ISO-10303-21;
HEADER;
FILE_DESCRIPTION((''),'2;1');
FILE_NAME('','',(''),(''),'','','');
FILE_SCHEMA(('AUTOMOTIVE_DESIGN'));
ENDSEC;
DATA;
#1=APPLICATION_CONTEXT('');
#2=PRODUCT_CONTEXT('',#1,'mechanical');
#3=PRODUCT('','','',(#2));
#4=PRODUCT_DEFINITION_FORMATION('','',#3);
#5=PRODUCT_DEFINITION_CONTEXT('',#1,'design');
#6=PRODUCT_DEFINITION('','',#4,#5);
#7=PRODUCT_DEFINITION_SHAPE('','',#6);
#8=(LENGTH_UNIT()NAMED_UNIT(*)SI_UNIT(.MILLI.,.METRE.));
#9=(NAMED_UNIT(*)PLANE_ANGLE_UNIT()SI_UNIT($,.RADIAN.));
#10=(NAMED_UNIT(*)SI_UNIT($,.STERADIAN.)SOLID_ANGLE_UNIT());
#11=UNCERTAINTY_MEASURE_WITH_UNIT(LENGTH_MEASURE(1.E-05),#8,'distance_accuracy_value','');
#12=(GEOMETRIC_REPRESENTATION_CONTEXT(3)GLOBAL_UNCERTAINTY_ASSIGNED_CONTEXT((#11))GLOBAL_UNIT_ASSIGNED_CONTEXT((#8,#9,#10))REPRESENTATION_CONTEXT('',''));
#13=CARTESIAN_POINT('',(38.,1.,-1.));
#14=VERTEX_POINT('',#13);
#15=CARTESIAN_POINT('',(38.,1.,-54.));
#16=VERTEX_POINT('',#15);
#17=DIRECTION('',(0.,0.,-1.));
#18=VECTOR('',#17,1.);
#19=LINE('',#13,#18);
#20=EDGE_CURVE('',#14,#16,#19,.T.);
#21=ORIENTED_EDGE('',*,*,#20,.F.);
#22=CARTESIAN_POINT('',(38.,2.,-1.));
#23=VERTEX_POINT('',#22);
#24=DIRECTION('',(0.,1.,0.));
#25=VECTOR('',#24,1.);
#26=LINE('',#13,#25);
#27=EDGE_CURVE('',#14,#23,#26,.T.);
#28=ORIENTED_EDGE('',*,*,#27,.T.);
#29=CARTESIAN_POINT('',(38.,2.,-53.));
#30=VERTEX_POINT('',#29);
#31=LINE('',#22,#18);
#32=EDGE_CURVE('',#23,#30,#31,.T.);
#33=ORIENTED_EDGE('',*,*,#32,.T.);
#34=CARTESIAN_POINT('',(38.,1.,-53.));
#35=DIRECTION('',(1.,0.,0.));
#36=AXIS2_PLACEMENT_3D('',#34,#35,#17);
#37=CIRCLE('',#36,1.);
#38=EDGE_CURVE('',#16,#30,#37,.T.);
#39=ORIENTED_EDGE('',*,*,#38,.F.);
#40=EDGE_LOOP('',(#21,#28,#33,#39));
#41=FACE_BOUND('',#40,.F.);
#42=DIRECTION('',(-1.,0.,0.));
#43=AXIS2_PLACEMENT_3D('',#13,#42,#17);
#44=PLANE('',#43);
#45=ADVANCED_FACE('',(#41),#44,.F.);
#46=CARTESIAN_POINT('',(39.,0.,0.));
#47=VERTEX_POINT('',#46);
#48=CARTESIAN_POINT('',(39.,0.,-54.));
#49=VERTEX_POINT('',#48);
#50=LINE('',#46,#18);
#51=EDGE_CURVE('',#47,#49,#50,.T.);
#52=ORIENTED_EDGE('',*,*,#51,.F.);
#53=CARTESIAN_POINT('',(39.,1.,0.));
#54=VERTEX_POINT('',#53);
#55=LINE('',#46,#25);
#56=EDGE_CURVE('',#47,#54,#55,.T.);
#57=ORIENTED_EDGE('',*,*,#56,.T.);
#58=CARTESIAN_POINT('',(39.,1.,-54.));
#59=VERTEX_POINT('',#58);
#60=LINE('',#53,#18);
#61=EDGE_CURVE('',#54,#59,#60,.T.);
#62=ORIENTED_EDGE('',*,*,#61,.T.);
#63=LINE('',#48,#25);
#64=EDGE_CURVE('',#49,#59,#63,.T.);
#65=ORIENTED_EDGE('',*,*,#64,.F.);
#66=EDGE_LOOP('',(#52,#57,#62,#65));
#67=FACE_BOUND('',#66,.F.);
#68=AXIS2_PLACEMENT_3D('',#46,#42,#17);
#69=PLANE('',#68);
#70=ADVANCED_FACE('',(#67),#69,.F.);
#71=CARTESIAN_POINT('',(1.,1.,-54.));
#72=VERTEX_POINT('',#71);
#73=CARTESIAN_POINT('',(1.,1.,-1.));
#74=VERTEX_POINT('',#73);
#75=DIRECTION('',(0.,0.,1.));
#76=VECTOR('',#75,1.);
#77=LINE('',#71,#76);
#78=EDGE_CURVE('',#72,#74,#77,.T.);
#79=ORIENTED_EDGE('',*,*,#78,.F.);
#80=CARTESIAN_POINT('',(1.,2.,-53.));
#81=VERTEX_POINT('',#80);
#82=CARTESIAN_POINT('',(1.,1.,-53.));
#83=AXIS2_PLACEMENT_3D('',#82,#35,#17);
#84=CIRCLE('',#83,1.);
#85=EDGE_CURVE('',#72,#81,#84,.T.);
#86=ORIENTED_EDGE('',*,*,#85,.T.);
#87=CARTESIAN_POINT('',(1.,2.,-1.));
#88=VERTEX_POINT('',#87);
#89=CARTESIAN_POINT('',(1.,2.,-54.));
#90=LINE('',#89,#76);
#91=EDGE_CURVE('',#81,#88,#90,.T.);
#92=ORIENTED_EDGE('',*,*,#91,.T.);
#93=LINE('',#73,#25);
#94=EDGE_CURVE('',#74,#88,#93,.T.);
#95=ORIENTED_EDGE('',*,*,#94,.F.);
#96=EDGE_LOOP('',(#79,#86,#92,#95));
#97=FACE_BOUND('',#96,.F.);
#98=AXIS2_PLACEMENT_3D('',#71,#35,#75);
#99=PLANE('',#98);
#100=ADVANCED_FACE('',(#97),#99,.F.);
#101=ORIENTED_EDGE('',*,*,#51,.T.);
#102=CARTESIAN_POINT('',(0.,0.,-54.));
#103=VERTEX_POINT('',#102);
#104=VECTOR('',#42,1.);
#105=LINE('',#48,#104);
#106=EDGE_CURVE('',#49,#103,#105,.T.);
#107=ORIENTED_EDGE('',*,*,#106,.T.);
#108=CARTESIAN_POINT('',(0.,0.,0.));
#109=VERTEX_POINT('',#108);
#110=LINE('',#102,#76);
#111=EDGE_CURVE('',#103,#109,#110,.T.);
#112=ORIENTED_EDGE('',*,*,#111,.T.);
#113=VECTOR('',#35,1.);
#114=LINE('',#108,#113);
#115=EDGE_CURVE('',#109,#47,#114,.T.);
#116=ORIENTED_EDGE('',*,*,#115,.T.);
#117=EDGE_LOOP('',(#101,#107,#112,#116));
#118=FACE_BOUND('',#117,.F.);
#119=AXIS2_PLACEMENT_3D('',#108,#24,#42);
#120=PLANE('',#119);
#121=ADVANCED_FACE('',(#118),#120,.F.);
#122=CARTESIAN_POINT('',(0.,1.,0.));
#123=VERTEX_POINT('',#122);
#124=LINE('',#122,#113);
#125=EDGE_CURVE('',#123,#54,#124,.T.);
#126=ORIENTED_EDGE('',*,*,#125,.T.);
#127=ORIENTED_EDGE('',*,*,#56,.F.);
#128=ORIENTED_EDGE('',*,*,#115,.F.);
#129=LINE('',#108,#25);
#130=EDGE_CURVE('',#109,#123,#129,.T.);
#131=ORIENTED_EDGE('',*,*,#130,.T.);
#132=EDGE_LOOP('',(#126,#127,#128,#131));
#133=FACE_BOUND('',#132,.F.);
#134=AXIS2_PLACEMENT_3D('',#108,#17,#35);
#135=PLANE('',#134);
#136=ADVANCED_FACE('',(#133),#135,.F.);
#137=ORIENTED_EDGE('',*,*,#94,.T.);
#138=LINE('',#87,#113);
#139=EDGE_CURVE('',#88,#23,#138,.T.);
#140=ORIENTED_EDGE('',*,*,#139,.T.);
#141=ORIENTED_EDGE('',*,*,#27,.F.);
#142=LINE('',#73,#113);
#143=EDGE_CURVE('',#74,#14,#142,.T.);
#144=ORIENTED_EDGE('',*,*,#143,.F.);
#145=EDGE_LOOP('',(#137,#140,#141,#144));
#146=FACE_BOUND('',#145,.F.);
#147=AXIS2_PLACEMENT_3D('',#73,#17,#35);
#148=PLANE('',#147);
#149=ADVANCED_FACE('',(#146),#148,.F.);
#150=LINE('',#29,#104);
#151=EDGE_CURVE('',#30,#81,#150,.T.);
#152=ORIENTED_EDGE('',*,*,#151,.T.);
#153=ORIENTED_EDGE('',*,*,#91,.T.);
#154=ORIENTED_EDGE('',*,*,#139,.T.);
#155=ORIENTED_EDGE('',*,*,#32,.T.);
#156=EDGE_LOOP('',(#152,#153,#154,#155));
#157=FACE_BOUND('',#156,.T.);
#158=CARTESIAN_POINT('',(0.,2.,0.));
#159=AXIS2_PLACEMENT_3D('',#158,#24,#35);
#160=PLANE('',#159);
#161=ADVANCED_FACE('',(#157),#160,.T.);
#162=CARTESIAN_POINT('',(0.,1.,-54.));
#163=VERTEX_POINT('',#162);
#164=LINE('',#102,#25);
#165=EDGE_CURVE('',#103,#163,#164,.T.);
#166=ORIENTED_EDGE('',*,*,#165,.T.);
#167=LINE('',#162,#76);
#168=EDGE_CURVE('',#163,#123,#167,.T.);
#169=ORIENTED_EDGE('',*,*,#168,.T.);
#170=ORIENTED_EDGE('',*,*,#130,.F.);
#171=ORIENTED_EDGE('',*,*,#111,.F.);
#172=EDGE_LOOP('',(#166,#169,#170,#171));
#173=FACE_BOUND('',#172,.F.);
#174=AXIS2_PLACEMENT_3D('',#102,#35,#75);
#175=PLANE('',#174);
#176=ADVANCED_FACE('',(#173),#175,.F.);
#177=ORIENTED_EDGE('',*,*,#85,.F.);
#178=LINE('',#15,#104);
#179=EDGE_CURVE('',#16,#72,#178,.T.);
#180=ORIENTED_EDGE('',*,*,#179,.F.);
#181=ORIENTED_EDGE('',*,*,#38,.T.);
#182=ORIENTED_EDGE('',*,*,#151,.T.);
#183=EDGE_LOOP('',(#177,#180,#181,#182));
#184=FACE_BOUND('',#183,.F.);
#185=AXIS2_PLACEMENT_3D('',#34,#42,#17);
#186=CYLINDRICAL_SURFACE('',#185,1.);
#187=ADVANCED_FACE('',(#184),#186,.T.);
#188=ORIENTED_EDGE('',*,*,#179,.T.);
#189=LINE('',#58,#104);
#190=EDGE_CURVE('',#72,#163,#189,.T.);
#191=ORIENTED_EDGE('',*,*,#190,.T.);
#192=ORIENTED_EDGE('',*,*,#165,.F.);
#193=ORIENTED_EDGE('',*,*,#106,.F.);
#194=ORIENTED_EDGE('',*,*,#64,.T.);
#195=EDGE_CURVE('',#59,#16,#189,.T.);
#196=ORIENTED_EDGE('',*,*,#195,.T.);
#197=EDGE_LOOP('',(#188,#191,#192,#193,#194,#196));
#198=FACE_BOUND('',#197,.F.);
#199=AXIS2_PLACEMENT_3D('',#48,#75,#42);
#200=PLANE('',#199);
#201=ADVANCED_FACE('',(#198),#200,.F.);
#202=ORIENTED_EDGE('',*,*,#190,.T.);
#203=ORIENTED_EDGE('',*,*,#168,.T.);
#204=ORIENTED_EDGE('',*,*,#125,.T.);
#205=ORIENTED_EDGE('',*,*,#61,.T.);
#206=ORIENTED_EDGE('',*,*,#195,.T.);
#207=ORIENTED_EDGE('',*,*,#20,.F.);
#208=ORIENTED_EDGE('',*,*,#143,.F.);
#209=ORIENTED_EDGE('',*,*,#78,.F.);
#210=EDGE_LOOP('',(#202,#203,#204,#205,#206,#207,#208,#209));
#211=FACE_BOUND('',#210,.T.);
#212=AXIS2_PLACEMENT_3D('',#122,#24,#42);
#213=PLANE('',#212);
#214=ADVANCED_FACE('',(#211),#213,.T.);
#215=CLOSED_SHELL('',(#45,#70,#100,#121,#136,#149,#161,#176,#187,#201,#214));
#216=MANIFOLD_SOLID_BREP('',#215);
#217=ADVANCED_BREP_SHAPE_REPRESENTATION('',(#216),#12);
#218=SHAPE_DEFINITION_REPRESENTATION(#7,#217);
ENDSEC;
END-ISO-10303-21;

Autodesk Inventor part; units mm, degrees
ref_plane "YZ Plane" through (0, 0, 0) normal (1, 0, 0) x (0, 1, 0)
ref_plane "XZ Plane" through (0, 0, 0) normal (0, 1, 0) x (-1, 0, 0)
ref_plane "XY Plane" through (0, 0, 0) normal (0, 0, 1) x (1, 0, 0)
sketch "スケッチ1" plane through (0, 0, 0) normal (0, 1, 0) x (-1, 0, 0)
  line L0 (0, 0) -> (-39, 0)
  line L1 (-39, 0) -> (-39, -54)
  line L2 (-39, -54) -> (0, -54)
  line L3 (0, -54) -> (0, 0)
  dimension "d0" = 39
  dimension "d1" = 54
extrude "押し出し1" add sketch "スケッチ1" along normal blind 1
sketch "スケッチ3" plane through (0, 1, 0) normal (0, 1, 0) x (1, 0, 0)
  line L0 (1, 1) -> (38, 1)
  line L1 (38, 1) -> (38, 54)
  line L2 (38, 54) -> (1, 54)
  line L3 (1, 54) -> (1, 1)
  line L4 (39, 54) -> (0, 54) projected
  line L5 (0, 54) -> (0, 0) projected
  dimension "d4" = 37
  dimension "d5" = 53
  dimension "d6" = 0
  dimension "d7" = 1
extrude "押し出し2" add sketch "スケッチ3" along normal blind 1
fillet "フィレット1" radius 1 1 edges at (19.5, 2, -54)
properties part number "case_top"
